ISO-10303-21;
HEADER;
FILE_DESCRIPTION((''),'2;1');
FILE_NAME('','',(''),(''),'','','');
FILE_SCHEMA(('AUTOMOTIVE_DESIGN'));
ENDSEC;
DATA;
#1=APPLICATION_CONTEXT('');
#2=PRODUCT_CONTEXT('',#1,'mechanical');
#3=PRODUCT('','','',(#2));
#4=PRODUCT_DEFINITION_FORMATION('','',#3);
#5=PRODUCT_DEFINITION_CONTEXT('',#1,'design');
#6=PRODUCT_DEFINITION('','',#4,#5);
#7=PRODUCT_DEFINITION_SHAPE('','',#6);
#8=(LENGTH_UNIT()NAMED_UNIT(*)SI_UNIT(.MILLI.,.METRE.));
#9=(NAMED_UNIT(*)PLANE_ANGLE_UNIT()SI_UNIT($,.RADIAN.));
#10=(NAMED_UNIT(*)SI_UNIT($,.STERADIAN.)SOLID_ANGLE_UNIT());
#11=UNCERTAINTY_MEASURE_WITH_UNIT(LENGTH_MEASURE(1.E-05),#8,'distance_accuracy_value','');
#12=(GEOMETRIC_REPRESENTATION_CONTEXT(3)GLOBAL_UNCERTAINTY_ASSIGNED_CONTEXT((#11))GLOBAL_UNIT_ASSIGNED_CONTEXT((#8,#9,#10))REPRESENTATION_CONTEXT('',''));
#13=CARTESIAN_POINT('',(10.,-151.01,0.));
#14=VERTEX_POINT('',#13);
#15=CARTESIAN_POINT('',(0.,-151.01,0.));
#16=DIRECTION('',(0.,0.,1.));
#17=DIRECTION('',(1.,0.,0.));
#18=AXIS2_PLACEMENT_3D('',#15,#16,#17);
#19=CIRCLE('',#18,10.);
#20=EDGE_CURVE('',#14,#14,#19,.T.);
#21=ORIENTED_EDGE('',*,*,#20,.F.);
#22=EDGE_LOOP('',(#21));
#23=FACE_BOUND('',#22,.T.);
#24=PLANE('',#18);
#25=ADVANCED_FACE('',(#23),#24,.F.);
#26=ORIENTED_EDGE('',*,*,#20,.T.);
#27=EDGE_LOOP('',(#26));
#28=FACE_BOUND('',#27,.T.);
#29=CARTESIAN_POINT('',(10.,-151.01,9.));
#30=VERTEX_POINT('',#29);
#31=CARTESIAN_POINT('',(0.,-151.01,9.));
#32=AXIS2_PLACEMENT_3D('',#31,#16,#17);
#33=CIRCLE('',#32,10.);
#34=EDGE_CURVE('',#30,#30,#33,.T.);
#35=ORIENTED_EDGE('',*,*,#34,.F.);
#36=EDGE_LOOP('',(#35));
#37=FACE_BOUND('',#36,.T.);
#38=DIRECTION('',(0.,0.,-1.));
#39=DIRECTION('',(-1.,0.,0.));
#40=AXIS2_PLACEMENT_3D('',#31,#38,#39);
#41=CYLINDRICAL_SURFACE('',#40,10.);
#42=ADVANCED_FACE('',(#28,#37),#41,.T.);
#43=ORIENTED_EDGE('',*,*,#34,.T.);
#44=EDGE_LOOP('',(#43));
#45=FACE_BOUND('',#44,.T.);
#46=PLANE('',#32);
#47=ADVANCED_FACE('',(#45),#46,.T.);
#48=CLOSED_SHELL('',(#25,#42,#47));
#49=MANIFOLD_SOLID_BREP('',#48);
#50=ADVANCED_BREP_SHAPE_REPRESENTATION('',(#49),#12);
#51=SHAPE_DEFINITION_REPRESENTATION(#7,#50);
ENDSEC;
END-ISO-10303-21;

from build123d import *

# Parameters (mm, degrees)
SKETCH1_R           = 10
BOSS_EXTRUDE1_DEPTH = 9


with BuildPart() as part:
    # Sketch1 → Boss-Extrude1 (new body)
    with BuildSketch(Plane.XY):
        with Locations((0, -151.01)):
            Circle(SKETCH1_R)
    extrude(amount=BOSS_EXTRUDE1_DEPTH)


solid = part.part
